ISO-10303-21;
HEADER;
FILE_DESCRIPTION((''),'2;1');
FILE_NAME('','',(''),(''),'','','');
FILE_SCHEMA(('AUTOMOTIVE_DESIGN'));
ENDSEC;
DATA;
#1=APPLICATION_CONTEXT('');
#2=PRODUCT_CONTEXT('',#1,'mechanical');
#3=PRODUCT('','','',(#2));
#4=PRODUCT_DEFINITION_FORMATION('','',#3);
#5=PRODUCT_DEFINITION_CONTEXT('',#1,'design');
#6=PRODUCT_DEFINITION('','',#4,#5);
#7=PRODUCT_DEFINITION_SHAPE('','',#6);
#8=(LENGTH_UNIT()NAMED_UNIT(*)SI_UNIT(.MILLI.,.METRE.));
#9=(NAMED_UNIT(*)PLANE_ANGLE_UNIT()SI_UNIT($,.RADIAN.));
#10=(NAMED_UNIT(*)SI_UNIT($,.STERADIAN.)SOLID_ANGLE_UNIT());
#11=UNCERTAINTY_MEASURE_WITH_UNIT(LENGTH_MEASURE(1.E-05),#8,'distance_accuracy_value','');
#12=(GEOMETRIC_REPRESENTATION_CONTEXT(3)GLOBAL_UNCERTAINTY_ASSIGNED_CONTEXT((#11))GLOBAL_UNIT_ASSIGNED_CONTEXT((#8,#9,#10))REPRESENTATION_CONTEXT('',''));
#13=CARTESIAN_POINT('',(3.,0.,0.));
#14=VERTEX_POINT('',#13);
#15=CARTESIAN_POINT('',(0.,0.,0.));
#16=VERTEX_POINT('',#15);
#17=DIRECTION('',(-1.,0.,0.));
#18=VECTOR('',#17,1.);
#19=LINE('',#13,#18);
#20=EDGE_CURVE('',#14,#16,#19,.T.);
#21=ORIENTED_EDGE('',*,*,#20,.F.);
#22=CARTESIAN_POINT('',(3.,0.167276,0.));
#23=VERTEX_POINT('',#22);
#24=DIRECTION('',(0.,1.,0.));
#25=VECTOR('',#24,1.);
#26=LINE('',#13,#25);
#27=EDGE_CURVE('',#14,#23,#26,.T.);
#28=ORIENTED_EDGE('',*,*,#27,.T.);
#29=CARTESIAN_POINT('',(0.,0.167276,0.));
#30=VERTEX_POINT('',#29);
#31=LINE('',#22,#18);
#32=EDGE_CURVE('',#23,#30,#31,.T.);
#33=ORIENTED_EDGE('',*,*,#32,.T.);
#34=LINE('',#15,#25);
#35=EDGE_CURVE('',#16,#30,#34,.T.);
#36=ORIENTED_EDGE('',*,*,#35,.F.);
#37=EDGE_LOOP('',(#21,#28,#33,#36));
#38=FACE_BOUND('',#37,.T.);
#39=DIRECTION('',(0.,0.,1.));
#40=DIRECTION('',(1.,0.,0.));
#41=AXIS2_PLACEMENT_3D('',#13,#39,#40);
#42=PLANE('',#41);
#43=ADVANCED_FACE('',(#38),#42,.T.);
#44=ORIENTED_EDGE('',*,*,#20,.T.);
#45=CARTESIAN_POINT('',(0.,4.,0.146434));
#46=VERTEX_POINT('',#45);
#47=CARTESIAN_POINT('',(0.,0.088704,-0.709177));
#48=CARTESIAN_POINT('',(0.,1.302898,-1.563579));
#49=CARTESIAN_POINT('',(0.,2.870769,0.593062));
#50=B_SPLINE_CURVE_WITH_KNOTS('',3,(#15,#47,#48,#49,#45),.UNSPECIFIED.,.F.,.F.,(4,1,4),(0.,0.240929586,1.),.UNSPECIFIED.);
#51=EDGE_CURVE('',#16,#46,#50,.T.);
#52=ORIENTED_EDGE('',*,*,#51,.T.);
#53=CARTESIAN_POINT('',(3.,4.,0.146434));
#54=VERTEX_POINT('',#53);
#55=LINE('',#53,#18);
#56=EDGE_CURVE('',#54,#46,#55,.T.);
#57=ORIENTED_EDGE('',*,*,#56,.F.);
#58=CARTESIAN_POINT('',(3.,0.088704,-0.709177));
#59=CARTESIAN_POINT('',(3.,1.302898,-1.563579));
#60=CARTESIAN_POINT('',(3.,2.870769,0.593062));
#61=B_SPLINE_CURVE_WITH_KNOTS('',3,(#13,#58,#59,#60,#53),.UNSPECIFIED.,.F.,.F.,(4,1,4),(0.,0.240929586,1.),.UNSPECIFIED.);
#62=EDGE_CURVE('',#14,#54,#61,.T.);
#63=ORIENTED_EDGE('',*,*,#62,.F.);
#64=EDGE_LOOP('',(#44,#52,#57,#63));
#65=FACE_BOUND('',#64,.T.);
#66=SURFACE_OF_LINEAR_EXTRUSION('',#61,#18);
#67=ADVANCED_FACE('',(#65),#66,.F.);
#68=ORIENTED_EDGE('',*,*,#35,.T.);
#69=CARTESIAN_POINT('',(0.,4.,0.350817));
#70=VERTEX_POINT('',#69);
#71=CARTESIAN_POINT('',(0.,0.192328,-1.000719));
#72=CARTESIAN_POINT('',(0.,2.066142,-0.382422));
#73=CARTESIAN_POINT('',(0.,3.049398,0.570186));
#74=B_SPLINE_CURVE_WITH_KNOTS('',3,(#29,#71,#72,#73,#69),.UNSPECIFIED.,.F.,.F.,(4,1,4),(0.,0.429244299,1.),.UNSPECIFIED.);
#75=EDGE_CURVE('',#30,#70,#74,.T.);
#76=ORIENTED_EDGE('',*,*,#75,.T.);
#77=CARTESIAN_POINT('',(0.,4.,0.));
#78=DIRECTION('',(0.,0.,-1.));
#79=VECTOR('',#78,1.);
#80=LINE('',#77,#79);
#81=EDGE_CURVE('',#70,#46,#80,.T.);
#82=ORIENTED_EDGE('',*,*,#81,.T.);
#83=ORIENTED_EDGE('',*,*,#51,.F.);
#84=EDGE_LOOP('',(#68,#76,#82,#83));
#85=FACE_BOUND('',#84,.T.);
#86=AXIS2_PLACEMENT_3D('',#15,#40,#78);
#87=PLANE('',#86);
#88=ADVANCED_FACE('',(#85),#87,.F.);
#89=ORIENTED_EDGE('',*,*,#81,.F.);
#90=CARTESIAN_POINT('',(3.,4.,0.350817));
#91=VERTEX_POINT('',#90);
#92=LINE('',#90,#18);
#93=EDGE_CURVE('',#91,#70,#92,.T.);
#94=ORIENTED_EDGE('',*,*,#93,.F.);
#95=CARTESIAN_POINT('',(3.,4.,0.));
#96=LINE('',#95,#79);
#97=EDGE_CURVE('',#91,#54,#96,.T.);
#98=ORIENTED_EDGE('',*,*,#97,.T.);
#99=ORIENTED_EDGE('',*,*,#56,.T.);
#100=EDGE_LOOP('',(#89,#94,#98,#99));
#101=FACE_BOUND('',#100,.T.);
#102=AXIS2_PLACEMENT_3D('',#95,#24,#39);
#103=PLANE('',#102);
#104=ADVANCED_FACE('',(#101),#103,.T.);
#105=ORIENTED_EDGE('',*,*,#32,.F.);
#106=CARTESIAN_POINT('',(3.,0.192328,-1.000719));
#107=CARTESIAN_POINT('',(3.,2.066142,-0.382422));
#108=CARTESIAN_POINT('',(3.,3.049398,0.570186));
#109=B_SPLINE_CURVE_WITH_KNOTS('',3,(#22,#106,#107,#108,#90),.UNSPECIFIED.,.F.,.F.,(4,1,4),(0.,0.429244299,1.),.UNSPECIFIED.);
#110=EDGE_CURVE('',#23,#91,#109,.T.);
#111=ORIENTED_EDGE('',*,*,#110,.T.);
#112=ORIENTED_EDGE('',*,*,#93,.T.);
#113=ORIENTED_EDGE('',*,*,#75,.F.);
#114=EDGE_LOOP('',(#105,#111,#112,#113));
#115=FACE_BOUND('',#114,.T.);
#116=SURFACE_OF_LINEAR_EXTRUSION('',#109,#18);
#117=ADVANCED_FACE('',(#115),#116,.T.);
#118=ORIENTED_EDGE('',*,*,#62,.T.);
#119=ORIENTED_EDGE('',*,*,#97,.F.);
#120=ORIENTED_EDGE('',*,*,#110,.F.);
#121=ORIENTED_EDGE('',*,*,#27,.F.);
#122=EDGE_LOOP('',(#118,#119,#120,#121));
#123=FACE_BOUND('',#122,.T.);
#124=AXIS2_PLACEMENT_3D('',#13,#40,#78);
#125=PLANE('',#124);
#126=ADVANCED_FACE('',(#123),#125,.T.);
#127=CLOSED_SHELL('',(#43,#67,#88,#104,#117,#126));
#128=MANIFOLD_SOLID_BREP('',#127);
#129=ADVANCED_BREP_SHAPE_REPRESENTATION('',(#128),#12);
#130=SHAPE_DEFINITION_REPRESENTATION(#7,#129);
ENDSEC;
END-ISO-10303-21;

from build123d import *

# Parameters (mm, degrees)
RESSALTO_EXTRUS_O1_DEPTH = 3


with BuildPart() as part:
    # Esboço1 → Ressalto-extrusão1 (new body)
    with BuildSketch(Plane(origin=(0, 0, 0), x_dir=(0, 0, -1), z_dir=(1, 0, 0))):
        with BuildLine():
            add(Edge.make_bspline(
                [(0, 0.167275677), (1.000719121, 0.192327669), (0.382421828, 2.06614201), (-0.570185681, 3.049397899), (-0.35081742, 4)],
                knots=[0, 0, 0, 0, 0.429244299, 1, 1, 1, 1], degree=3))
            Line((-0.35081742, 4), (-0.146433982, 4))
            add(Edge.make_bspline(
                [(0, 0), (0.709176752, 0.088703515), (1.563578973, 1.302898104), (-0.593062367, 2.870769037), (-0.146433982, 4)],
                knots=[0, 0, 0, 0, 0.240929586, 1, 1, 1, 1], degree=3))
            Line((0, 0), (0, 0.167275677))
        make_face()
    extrude(amount=RESSALTO_EXTRUS_O1_DEPTH)


solid = part.part
